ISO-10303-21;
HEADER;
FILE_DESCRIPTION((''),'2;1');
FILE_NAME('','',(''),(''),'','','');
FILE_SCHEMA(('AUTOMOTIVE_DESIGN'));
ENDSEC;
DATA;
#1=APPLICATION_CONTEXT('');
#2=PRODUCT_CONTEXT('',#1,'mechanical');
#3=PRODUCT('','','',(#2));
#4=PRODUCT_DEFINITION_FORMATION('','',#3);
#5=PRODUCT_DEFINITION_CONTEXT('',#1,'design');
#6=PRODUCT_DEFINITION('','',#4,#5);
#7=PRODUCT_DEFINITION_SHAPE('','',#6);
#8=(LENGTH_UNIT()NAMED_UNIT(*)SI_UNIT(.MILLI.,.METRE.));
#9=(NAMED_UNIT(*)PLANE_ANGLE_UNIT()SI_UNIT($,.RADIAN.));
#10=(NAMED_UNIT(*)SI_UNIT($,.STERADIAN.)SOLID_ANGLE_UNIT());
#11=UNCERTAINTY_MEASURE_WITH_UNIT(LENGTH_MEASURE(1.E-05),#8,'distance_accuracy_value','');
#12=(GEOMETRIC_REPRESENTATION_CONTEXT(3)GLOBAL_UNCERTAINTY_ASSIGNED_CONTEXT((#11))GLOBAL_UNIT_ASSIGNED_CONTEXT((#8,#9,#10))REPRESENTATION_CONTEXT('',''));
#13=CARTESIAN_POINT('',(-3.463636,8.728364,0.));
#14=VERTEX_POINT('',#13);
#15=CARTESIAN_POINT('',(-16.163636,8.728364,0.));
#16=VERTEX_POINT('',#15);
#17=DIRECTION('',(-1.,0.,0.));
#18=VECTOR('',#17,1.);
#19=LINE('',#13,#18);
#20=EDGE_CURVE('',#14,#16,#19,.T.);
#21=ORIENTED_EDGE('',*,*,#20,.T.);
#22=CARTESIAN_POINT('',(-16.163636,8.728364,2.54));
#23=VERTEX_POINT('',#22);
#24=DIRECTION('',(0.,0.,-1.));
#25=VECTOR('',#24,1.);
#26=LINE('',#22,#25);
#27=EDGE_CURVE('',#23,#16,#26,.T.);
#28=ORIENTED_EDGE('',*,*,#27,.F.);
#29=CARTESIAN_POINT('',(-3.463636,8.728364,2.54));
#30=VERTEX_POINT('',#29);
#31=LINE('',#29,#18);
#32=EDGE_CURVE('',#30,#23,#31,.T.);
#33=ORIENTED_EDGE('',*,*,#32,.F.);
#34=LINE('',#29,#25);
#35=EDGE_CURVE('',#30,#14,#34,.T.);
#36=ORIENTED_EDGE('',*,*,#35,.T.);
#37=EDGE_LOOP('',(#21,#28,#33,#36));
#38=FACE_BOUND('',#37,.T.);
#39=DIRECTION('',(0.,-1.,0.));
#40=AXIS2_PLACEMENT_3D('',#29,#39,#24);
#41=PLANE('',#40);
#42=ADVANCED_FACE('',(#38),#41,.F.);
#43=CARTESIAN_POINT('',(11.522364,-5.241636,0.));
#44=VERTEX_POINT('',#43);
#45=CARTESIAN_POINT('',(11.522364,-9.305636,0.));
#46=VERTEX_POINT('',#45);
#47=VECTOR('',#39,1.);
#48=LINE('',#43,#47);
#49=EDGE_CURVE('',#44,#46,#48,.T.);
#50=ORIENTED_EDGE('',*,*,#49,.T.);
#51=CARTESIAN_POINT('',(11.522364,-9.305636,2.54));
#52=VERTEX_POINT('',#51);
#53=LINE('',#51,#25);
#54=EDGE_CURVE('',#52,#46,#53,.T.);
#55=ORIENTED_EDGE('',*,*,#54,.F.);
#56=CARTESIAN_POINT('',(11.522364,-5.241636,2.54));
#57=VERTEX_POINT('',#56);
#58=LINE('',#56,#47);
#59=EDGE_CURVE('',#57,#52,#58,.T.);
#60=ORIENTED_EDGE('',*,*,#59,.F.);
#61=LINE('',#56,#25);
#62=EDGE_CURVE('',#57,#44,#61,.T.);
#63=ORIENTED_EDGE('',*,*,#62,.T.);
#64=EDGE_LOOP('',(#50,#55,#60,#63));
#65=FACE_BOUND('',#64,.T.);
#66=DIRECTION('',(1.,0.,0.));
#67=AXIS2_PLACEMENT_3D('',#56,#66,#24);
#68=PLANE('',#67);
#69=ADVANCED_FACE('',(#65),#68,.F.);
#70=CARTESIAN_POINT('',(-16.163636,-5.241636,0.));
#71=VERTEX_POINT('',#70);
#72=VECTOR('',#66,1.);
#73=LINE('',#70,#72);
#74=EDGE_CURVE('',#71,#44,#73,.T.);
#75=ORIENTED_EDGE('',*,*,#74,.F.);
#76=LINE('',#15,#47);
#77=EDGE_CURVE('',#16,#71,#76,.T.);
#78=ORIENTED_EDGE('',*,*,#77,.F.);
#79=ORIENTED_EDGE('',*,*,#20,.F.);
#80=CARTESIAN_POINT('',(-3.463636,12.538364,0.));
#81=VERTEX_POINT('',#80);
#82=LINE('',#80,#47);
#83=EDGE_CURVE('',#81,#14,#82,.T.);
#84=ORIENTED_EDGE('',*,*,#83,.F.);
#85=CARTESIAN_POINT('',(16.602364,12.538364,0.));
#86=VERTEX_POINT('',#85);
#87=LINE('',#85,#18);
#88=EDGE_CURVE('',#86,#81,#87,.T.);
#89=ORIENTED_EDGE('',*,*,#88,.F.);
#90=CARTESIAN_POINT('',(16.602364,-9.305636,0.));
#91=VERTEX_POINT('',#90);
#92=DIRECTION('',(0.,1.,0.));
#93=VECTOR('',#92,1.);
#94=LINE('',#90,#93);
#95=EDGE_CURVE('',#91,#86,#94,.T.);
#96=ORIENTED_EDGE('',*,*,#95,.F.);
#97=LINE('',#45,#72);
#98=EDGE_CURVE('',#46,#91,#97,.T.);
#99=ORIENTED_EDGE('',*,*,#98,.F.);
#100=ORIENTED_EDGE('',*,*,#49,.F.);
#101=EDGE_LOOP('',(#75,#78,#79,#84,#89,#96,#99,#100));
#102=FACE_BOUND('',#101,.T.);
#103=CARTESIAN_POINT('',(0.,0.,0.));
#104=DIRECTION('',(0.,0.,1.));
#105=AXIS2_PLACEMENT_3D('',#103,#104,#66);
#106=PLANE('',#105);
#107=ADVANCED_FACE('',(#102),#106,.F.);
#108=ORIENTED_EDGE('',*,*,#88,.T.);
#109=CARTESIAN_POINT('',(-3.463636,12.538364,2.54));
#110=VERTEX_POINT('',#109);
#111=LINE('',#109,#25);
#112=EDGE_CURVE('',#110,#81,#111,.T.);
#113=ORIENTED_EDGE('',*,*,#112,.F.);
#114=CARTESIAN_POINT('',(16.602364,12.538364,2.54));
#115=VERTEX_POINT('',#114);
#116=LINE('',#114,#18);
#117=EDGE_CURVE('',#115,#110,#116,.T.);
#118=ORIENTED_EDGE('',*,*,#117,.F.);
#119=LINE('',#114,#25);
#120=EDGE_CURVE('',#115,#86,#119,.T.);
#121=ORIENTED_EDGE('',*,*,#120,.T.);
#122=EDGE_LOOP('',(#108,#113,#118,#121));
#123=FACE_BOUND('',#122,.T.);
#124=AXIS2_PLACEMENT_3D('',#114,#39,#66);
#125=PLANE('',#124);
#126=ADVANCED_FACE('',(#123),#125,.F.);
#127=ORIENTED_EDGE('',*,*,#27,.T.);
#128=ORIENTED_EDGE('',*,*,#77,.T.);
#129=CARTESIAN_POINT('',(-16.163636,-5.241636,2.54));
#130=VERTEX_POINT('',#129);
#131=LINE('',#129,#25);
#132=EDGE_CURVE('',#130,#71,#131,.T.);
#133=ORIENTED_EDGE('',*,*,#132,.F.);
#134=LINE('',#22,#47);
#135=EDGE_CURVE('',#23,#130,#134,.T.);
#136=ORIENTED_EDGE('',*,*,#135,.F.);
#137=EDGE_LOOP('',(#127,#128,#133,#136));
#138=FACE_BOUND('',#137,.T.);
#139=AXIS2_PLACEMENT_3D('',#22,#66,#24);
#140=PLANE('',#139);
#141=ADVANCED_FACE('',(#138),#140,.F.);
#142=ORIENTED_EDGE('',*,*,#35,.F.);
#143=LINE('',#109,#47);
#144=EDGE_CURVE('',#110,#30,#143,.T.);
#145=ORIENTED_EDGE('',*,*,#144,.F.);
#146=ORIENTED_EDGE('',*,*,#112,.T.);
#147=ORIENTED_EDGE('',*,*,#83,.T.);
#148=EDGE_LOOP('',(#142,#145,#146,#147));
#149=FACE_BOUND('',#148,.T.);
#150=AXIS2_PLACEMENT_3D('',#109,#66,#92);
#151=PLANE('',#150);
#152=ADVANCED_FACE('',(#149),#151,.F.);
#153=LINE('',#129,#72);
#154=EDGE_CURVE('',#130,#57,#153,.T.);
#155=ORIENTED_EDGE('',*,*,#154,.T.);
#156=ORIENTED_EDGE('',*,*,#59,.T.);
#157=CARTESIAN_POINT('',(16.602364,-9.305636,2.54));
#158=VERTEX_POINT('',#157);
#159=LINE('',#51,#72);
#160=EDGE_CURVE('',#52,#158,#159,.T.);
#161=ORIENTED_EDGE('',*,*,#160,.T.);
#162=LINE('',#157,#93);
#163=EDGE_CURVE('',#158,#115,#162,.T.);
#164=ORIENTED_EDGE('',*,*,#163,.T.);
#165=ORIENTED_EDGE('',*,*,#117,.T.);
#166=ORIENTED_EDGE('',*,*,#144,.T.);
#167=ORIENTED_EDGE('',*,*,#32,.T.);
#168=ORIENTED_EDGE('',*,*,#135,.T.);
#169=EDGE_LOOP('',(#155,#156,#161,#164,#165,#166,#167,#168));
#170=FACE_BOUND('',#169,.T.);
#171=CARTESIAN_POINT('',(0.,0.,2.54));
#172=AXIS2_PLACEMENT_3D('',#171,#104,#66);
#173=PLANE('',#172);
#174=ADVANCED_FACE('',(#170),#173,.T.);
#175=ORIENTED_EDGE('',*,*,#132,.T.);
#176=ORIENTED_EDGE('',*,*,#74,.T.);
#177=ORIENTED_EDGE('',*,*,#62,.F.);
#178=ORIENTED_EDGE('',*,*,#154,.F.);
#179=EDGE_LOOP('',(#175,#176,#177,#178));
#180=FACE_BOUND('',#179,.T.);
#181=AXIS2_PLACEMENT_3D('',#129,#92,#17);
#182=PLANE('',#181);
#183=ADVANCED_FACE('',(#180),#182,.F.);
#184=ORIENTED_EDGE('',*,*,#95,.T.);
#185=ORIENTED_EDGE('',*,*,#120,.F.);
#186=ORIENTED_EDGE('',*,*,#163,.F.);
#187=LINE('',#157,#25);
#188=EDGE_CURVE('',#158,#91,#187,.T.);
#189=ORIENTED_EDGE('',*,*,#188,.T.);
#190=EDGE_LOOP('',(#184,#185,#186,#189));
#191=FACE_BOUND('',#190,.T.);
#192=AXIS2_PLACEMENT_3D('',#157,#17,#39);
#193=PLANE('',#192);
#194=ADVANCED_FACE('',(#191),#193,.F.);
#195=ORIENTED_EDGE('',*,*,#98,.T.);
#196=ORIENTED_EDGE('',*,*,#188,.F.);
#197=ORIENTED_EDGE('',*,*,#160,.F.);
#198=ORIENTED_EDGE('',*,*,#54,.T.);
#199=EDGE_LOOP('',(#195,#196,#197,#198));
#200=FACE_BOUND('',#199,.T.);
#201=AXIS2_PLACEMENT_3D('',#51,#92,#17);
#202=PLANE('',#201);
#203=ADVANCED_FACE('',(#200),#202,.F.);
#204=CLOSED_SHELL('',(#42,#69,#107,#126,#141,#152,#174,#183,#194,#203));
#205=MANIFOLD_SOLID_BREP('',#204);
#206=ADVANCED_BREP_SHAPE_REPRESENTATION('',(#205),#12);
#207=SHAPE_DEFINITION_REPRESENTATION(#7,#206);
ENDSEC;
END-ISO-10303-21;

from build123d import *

# Parameters (mm, degrees)
BOSS_EXTRUDE1_DEPTH = 2.54


with BuildPart() as part:
    # Sketch1 → Boss-Extrude1 (new body)
    with BuildSketch(Plane.XY):
        Polygon((-16.163636364, 8.728363636), (-16.163636364, -5.241636364), (11.522363636, -5.241636364), (11.522363636, -9.305636364), (16.602363636, -9.305636364), (16.602363636, 12.538363636), (-3.463636364, 12.538363636), (-3.463636364, 8.728363636), align=None)
    extrude(amount=BOSS_EXTRUDE1_DEPTH)


solid = part.part
